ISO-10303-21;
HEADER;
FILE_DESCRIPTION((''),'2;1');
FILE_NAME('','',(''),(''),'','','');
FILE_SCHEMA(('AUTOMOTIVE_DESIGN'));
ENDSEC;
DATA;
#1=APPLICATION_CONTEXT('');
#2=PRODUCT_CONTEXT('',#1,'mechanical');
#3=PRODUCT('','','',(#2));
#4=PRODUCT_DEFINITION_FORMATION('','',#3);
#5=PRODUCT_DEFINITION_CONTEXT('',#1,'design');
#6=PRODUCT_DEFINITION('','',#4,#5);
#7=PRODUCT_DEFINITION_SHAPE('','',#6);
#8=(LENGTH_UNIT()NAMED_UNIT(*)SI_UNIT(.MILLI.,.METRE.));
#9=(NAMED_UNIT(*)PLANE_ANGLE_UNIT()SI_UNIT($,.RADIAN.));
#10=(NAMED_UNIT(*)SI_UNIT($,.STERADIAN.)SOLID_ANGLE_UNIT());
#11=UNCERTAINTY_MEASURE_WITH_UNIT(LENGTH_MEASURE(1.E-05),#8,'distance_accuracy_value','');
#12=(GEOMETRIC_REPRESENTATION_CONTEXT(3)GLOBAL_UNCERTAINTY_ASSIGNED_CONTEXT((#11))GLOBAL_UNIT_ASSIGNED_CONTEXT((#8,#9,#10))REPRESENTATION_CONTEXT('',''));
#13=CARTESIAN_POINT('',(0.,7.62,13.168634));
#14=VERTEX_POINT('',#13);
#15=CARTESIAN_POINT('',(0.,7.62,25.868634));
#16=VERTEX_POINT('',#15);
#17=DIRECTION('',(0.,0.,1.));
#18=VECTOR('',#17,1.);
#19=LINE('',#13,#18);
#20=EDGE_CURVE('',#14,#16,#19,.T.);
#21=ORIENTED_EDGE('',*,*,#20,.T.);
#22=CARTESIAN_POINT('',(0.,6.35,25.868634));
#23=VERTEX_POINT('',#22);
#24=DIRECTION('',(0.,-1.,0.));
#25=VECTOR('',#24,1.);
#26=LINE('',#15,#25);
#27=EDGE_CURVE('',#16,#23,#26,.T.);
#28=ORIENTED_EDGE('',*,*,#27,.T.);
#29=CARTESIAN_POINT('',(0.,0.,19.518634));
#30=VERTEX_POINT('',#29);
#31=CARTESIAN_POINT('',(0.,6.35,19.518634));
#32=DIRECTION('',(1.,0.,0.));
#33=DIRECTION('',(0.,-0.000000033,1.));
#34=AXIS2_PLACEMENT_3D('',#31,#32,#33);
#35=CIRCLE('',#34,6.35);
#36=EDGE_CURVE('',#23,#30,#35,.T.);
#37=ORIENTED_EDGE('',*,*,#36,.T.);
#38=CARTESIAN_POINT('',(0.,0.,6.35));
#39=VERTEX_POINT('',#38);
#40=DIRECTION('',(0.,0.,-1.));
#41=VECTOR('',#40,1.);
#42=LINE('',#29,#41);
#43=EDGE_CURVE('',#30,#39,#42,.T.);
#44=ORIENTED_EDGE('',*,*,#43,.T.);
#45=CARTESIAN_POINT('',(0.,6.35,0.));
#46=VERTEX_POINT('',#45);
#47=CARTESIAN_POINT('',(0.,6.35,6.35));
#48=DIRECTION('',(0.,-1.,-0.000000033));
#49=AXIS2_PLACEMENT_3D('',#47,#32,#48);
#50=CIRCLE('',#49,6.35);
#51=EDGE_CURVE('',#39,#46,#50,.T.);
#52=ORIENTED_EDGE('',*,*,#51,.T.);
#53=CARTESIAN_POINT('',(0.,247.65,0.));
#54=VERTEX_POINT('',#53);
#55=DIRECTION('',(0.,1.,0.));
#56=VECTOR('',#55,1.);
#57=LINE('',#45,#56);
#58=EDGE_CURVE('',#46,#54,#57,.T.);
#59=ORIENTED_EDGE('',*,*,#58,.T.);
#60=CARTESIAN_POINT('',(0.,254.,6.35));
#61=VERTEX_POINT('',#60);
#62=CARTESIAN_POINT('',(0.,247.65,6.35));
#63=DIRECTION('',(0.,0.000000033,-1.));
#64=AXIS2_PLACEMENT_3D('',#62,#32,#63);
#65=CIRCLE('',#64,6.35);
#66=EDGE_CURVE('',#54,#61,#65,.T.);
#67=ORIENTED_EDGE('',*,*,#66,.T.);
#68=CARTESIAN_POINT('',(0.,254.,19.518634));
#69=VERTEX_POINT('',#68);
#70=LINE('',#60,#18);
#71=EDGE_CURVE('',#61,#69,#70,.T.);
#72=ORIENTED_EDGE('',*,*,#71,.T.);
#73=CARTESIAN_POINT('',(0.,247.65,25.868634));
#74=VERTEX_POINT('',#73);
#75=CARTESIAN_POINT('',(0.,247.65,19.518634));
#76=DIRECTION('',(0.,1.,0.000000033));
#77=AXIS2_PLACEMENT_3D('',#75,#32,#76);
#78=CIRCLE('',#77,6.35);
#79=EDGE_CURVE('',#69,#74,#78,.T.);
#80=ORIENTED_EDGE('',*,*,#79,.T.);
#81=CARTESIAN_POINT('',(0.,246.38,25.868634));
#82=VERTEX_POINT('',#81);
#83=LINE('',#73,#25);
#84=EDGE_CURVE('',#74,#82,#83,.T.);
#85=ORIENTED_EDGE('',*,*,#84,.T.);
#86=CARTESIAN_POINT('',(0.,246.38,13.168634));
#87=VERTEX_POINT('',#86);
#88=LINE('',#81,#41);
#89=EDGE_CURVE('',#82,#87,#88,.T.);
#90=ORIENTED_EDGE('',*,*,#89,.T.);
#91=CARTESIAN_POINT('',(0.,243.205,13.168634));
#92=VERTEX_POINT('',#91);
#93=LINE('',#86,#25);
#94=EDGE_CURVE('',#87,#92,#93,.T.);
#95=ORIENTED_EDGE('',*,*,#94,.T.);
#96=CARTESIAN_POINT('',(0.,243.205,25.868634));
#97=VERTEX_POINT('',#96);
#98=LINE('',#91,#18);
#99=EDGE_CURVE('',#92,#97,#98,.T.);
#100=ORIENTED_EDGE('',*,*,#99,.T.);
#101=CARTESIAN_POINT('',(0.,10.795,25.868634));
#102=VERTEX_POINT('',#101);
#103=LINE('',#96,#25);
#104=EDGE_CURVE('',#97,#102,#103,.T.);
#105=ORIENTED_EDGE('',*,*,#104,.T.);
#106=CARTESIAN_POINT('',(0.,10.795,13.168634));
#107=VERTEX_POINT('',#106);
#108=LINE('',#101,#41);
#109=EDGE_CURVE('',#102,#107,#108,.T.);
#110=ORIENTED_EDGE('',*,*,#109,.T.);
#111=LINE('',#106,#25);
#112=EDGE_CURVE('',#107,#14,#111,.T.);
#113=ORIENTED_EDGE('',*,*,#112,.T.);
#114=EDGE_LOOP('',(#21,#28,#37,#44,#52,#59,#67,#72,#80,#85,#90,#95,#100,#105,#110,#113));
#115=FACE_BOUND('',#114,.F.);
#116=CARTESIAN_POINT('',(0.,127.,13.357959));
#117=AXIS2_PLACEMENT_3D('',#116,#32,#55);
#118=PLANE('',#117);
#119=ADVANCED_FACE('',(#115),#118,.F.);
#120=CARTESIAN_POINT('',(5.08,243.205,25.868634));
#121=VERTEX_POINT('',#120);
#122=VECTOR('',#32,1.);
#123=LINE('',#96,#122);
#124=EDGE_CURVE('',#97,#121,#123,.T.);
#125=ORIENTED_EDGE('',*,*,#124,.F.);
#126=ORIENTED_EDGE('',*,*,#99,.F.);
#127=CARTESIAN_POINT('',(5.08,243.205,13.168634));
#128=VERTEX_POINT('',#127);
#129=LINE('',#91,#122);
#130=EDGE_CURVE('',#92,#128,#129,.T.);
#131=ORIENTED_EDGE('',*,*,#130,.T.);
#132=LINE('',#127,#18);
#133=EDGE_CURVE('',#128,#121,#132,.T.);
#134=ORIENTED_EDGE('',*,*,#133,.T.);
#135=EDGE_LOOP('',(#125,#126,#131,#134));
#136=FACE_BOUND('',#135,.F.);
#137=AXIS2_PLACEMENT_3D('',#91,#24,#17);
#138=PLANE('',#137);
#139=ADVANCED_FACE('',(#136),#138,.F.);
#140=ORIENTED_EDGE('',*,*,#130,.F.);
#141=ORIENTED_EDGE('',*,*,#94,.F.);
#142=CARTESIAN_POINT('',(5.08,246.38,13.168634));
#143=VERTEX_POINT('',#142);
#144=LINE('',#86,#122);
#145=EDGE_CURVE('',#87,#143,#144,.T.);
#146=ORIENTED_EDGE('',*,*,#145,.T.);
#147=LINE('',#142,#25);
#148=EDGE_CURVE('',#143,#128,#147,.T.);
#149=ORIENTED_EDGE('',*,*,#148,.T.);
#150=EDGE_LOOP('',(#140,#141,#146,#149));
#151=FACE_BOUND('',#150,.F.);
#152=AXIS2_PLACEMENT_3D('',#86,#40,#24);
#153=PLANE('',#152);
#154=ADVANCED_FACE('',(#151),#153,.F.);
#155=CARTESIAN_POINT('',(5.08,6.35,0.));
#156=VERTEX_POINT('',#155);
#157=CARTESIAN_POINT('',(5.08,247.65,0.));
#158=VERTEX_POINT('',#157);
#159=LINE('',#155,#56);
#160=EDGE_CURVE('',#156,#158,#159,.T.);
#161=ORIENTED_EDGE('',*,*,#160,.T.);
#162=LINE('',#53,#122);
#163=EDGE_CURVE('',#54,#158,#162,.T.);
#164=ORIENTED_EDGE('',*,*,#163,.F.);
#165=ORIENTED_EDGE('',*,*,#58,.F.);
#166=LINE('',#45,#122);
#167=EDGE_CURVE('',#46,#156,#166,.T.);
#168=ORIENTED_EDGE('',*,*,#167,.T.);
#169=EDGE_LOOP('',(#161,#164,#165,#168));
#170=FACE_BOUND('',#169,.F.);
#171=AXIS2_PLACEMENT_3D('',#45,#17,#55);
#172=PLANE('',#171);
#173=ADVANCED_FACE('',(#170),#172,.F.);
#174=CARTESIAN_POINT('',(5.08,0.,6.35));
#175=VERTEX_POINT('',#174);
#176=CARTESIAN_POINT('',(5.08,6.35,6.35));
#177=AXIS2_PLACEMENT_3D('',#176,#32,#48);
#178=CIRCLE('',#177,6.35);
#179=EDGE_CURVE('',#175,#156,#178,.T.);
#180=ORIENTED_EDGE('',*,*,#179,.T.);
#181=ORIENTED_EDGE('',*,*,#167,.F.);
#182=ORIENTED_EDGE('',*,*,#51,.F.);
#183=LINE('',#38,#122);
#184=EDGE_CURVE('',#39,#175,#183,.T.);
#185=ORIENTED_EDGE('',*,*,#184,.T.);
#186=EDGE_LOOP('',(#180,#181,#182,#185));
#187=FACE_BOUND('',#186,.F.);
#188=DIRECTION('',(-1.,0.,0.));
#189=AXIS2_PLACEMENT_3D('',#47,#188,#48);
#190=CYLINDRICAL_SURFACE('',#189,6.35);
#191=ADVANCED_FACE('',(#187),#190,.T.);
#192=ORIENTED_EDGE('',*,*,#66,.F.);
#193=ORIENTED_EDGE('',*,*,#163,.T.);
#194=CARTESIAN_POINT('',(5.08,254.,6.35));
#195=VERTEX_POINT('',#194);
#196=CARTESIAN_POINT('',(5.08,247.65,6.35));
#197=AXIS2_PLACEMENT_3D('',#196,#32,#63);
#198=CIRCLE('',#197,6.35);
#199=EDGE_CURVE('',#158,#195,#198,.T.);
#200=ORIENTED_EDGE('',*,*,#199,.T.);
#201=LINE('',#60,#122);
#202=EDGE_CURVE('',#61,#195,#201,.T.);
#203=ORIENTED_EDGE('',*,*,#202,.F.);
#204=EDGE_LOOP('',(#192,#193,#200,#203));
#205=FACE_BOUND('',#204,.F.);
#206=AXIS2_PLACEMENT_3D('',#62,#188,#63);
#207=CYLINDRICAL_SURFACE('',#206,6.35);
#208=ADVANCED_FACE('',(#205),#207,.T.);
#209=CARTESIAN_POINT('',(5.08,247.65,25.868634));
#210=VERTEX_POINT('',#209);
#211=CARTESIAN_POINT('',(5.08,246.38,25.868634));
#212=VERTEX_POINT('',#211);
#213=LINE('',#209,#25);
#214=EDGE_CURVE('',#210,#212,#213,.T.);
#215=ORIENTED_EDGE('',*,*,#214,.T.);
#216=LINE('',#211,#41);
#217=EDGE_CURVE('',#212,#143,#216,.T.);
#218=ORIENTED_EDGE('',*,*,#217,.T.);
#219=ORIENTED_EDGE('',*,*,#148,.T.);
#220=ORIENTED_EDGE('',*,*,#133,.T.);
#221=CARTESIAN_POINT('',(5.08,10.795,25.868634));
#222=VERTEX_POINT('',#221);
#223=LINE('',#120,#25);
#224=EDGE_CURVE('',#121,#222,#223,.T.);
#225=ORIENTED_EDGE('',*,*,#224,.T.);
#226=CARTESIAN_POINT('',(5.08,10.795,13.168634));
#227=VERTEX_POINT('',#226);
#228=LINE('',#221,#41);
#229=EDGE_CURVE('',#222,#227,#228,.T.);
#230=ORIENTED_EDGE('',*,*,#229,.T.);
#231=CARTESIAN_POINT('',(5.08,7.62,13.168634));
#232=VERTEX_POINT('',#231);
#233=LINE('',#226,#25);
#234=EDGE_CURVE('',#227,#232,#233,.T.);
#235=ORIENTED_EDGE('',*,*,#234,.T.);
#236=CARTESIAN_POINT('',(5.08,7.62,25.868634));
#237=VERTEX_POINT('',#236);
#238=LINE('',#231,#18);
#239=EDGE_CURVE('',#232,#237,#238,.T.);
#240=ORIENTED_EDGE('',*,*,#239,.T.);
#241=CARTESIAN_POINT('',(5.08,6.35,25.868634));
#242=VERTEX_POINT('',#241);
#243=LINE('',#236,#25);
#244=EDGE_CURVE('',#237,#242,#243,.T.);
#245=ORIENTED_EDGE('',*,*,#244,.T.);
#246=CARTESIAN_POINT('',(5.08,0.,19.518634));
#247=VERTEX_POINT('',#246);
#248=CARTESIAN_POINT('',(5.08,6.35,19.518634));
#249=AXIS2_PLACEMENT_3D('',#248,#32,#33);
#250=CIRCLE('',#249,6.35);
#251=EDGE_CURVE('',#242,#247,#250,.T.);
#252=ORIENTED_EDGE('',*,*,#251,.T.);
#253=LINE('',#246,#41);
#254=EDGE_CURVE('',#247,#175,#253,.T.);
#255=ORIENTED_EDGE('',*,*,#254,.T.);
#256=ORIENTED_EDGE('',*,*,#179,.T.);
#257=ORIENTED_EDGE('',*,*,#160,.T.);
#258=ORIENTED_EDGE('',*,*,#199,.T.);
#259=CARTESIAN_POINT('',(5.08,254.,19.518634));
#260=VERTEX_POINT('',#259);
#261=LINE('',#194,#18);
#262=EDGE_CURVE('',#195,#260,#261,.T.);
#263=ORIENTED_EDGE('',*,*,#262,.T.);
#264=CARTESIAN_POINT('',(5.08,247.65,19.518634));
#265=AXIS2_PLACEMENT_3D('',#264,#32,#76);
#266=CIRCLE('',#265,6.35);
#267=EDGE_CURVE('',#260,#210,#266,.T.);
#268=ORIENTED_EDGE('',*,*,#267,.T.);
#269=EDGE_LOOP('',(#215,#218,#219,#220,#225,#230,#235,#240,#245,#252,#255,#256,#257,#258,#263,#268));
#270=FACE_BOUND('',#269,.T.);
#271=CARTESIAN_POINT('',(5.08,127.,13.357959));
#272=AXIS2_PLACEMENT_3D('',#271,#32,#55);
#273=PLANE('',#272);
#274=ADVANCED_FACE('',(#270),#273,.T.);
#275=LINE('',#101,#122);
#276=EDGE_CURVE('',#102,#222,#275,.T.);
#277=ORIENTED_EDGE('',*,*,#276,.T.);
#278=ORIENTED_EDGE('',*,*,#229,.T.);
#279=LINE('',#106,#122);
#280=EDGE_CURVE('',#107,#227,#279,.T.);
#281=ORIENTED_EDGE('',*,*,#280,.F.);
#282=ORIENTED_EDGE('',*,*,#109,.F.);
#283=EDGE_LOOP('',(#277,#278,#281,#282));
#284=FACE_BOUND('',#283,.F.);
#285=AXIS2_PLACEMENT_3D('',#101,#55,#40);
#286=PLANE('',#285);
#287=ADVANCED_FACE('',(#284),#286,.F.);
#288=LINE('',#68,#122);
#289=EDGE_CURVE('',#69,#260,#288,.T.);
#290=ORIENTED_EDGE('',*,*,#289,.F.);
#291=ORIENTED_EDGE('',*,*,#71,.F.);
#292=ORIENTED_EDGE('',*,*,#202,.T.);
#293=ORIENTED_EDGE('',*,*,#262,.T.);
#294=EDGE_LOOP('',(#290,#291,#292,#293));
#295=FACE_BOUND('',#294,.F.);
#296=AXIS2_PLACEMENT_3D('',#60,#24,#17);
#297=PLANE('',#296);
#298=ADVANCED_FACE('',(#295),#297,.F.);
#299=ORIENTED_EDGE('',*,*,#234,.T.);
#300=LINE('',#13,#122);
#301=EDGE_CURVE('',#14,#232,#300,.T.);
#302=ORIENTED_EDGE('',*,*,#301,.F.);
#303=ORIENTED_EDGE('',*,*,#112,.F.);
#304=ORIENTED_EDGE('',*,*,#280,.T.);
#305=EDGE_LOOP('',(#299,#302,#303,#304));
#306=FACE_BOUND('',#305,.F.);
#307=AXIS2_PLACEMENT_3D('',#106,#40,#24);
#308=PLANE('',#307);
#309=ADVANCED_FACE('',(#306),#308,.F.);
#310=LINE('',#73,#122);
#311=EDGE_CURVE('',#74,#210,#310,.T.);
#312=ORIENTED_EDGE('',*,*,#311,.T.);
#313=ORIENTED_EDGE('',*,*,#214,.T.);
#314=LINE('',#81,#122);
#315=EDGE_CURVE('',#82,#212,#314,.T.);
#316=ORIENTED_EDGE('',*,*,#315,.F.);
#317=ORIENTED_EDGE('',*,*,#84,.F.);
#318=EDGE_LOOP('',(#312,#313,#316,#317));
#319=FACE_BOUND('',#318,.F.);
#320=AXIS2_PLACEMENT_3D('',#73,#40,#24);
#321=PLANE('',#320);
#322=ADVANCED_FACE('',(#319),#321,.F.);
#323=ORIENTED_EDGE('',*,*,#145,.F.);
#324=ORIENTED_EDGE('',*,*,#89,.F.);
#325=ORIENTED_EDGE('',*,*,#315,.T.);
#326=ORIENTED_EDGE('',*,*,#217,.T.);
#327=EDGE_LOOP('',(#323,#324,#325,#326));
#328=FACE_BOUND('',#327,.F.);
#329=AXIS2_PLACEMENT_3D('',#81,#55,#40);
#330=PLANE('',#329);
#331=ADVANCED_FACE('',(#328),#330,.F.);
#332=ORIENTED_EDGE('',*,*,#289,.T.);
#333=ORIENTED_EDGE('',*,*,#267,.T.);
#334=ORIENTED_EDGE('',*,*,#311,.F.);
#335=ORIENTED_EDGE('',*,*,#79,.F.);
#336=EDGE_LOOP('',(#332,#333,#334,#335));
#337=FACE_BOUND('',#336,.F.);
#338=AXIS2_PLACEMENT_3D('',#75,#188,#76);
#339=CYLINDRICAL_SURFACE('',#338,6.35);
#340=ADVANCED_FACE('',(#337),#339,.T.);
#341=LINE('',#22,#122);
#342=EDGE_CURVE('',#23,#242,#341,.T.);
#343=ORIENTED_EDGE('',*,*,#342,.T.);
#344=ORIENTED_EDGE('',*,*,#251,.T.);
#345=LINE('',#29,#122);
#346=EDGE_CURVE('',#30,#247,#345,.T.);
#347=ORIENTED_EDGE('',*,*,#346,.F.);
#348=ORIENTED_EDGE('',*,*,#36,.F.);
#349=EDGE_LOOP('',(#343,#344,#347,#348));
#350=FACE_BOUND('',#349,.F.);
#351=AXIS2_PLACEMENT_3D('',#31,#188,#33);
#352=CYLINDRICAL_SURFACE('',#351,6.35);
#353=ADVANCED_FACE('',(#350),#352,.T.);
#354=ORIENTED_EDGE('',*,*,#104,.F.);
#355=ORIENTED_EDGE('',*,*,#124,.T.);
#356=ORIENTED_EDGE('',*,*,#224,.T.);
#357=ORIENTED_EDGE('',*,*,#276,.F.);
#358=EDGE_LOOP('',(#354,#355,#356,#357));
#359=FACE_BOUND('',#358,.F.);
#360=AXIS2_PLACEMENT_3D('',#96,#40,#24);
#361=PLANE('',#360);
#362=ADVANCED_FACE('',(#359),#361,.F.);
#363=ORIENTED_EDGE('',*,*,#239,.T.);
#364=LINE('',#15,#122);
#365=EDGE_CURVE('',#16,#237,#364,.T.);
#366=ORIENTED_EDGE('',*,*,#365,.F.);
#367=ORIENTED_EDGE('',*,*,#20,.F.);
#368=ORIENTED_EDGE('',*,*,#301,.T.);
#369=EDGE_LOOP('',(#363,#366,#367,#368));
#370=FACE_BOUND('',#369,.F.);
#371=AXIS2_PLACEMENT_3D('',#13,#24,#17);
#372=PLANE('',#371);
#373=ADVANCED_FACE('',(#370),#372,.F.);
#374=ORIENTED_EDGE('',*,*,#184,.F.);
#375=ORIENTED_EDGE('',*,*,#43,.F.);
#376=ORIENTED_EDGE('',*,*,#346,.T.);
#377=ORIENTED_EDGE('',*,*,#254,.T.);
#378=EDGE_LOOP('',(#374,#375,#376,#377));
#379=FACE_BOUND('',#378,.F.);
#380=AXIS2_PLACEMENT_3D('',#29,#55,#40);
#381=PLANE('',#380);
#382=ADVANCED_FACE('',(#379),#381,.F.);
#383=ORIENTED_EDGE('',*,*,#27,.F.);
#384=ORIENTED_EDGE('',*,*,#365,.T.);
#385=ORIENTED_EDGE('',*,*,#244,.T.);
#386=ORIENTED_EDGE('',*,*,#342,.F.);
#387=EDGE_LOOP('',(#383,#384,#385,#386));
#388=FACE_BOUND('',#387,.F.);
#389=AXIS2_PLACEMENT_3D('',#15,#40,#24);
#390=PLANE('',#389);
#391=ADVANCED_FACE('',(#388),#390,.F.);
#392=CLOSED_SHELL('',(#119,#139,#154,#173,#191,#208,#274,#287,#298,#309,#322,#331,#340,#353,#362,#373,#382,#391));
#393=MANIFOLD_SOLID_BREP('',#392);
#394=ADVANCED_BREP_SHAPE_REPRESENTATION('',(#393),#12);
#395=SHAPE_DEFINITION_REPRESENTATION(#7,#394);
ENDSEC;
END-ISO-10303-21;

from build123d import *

# Parameters (mm, degrees)
F1_DEPTH = 5.08


with BuildPart() as f1:
    # F0 (on Right) → F1 (new body)
    with BuildSketch(Plane.YZ):
        with BuildLine():
            ThreePointArc((0, 6.35), (1.859872, 1.859872), (6.35, 0))
            Line((6.35, 0), (247.65, 0))
            ThreePointArc((247.65, 0), (252.140128, 1.859872), (254, 6.35))
            Line((254, 6.35), (254, 19.518634))
            ThreePointArc((254, 19.518634), (252.140128, 24.008762), (247.65, 25.868634))
            Line((247.65, 25.868634), (246.38, 25.868634))
            Line((246.38, 25.868634), (246.38, 13.168634))
            Line((246.38, 13.168634), (243.205, 13.168634))
            Line((243.205, 13.168634), (243.205, 25.868634))
            Line((243.205, 25.868634), (10.795, 25.868634))
            Line((10.795, 25.868634), (10.795, 13.168634))
            Line((10.795, 13.168634), (7.62, 13.168634))
            Line((7.62, 13.168634), (7.62, 25.868634))
            Line((7.62, 25.868634), (6.35, 25.868634))
            ThreePointArc((6.35, 25.868634), (1.859872, 24.008762), (0, 19.518634))
            Line((0, 19.518634), (0, 6.35))
        make_face()
    extrude(amount=F1_DEPTH)


solid = f1.part
